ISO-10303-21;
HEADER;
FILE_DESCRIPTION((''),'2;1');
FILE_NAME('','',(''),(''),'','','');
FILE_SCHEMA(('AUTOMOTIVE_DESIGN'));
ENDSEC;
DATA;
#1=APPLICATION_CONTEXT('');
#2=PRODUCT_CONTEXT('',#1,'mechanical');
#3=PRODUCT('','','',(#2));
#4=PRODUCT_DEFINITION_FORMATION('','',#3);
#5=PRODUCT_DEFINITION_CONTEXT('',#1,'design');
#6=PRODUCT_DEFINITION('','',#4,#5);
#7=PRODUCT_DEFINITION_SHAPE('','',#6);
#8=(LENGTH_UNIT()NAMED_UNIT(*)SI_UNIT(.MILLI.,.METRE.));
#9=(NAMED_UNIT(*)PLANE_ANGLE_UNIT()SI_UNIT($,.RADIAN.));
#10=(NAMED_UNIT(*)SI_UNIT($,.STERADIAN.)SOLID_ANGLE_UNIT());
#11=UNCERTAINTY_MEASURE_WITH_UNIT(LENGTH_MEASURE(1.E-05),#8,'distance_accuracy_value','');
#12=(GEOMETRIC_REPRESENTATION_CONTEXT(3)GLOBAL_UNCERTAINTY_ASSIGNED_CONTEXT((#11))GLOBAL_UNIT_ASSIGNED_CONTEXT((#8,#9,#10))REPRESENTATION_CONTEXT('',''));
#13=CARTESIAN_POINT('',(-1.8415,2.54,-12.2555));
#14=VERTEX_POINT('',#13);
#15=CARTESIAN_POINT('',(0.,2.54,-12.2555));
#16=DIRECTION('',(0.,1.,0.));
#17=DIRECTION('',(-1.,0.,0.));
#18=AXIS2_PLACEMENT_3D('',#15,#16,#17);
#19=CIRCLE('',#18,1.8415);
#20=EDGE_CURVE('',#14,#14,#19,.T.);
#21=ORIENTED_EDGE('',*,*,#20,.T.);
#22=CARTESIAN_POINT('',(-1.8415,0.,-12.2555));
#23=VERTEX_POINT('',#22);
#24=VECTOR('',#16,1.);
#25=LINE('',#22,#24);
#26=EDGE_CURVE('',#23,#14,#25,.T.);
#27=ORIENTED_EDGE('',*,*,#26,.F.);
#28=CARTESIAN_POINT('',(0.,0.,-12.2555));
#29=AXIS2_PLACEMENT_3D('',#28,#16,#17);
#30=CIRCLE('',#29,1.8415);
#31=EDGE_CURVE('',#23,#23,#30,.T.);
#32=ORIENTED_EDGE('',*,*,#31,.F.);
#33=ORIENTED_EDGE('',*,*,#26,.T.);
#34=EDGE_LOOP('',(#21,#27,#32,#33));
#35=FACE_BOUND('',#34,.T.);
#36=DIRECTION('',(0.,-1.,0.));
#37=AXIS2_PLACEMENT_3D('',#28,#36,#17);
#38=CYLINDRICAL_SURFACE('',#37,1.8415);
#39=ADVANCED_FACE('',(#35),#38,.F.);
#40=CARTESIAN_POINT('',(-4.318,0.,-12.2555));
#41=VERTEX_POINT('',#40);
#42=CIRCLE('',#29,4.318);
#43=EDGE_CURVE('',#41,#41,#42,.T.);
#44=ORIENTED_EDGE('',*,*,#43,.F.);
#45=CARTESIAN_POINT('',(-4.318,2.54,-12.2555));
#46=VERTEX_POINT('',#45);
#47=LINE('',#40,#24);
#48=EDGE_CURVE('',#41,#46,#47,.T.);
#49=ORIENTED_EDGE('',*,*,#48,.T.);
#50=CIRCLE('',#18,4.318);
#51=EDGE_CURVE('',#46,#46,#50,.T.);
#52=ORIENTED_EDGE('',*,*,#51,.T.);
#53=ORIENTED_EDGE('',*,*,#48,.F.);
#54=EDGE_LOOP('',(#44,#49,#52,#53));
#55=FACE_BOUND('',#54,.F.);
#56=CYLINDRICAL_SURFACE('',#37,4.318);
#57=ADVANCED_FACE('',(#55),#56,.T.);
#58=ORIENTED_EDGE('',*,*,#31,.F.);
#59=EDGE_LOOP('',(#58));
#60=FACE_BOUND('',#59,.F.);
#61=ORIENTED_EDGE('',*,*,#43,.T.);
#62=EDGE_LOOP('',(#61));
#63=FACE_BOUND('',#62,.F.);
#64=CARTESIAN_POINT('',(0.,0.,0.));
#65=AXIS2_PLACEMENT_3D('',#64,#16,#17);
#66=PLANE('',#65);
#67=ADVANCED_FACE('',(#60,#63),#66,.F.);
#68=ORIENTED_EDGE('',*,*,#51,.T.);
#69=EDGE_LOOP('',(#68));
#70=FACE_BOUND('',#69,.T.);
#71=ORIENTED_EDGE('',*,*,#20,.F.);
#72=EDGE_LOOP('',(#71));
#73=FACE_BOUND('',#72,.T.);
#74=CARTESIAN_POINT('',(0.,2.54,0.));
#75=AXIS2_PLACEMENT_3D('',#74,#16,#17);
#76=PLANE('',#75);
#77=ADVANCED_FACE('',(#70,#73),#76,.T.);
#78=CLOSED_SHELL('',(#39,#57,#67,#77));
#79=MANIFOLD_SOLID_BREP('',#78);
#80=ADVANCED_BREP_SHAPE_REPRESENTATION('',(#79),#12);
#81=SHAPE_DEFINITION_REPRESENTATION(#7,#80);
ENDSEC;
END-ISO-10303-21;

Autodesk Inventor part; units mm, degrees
ref_plane "YZ Plane" through (0, 0, 0) normal (1, 0, 0) x (0, 1, 0)
ref_plane "XZ Plane" through (0, 0, 0) normal (0, 1, 0) x (-1, 0, 0)
ref_plane "XY Plane" through (0, 0, 0) normal (0, 0, 1) x (1, 0, 0)
sketch "Sketch1" plane through (0, 0, 0) normal (0, 1, 0) x (-1, 0, 0)
  circle A0 centre (0, -12.2555) radius 1.8415
  circle A1 centre (0, -12.2555) radius 4.318
  point P0 (0, 0)
  point P1 (2.54, -8.7636)
  dimension "d7" = 8.636
extrude "Extrusion2" add sketch "Sketch1" along normal blind 2.54
properties part number "Connector-qty1"
